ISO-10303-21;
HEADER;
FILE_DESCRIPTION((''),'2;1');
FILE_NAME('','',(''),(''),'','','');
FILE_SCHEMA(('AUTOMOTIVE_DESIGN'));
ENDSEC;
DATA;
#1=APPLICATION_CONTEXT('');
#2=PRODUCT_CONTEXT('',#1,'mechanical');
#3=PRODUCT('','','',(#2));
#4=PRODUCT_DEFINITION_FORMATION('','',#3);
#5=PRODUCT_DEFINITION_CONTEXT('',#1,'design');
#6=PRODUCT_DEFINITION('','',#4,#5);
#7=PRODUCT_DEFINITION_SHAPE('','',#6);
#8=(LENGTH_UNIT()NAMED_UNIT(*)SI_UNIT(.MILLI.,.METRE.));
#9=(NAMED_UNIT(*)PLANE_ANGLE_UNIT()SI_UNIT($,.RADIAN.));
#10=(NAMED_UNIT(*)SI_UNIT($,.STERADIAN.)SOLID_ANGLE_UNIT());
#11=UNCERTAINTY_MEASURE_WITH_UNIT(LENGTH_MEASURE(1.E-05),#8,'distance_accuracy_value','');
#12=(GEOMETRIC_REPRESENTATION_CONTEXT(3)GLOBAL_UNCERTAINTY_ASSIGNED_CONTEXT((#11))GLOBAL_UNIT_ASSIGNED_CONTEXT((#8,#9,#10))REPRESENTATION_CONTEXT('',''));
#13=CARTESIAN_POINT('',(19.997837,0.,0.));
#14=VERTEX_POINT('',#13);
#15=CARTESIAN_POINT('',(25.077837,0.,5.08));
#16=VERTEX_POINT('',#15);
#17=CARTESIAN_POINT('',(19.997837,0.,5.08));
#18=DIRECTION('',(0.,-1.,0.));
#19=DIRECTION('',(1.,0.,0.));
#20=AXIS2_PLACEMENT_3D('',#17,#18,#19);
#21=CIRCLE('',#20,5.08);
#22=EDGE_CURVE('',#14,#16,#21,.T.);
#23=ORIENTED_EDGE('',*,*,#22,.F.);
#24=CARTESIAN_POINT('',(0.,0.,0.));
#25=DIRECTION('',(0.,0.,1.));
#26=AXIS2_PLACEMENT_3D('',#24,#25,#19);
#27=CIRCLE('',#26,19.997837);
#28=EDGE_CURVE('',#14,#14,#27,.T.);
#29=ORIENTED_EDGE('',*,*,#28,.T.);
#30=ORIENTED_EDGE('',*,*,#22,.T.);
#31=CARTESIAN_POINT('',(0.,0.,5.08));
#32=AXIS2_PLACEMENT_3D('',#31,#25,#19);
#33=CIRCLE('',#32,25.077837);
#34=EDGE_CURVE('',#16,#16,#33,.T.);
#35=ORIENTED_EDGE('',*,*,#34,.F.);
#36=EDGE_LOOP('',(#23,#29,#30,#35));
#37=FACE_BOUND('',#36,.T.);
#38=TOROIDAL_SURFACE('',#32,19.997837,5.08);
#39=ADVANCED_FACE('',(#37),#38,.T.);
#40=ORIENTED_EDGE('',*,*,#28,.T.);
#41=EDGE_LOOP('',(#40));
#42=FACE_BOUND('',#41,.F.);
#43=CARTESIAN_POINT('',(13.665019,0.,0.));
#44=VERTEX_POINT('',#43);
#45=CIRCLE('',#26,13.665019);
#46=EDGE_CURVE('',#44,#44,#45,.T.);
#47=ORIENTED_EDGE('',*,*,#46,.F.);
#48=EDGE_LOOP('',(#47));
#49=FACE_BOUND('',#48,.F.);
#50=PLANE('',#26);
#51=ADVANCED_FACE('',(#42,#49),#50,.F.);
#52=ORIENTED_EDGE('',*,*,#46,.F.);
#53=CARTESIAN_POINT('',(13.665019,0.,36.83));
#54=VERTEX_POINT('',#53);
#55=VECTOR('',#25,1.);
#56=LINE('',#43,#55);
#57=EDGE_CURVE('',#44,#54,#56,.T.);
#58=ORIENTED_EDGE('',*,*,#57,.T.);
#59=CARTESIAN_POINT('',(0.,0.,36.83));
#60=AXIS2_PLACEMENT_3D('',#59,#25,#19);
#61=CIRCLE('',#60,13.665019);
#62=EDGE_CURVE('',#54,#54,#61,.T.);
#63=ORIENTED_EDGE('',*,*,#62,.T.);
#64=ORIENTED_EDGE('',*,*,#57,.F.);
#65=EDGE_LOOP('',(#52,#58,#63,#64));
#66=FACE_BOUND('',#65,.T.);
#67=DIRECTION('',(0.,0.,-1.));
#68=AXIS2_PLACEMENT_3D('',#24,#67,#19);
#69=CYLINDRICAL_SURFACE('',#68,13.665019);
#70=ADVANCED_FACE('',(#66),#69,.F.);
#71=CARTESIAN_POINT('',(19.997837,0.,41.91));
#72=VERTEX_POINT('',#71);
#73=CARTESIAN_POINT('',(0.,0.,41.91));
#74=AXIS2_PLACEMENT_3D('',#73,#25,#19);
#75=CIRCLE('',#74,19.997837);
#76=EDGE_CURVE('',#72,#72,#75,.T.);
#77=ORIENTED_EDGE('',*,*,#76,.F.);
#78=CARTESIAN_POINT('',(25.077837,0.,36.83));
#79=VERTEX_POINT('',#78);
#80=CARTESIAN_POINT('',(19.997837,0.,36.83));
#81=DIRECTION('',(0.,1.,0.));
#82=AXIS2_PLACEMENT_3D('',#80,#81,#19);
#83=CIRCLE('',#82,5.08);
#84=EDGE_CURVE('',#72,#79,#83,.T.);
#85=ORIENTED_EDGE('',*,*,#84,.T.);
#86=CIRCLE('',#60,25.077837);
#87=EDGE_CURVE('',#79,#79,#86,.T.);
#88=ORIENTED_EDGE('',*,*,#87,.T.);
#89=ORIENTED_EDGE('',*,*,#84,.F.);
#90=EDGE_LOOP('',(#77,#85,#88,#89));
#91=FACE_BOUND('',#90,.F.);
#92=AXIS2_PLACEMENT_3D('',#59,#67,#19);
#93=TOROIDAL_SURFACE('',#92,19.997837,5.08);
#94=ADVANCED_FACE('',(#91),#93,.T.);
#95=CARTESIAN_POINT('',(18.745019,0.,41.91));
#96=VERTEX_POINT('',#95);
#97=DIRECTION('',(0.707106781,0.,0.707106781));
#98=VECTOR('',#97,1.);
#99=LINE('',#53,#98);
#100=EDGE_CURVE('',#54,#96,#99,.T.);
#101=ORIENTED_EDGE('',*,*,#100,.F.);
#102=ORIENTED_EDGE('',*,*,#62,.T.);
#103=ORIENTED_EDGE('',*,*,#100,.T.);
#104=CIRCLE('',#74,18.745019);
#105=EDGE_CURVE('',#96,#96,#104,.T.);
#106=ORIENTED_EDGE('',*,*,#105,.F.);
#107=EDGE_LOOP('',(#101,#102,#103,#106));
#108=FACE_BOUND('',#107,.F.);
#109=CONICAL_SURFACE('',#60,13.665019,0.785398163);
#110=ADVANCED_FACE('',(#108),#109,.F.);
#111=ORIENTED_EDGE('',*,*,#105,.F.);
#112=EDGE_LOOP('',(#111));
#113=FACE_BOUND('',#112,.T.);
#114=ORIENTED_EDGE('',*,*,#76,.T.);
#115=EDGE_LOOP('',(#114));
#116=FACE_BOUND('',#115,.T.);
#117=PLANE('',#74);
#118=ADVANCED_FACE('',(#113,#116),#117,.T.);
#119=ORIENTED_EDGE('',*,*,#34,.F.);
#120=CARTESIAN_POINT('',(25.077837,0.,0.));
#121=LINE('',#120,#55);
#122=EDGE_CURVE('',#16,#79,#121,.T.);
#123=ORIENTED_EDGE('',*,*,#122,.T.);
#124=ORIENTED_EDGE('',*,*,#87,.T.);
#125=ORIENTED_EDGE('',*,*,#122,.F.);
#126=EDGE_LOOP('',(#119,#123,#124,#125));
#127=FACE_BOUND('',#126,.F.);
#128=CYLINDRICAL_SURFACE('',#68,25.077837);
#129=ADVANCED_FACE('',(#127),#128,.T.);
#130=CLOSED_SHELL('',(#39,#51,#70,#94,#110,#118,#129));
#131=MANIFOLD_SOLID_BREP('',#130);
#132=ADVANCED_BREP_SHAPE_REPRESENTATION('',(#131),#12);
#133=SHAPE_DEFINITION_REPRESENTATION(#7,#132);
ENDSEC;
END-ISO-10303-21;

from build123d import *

# Parameters (mm, degrees)
F0_R     = 25.077837
F0_R_2   = 13.665019
F1_DEPTH = 41.91
F2_SIZE  = 5.08
F3_R     = 5.08


with BuildPart() as f1:
    # F0 (on Top) → F1 (new body)
    with BuildSketch(Plane.XY):
        Circle(F0_R)
        Circle(F0_R_2, mode=Mode.SUBTRACT)
    extrude(amount=F1_DEPTH)

    # F2
    f2_edges = [f1.edges().sort_by_distance(p)[0] for p in [
        (-13.665019, 0, 41.91),
    ]]
    chamfer(f2_edges, length=F2_SIZE)

    # F3
    f3_edges = [f1.edges().sort_by_distance(p)[0] for p in [
        (-25.077837, 0, 41.91),
        (-25.077837, 0, 0),
    ]]
    fillet(f3_edges, radius=F3_R)


solid = f1.part
